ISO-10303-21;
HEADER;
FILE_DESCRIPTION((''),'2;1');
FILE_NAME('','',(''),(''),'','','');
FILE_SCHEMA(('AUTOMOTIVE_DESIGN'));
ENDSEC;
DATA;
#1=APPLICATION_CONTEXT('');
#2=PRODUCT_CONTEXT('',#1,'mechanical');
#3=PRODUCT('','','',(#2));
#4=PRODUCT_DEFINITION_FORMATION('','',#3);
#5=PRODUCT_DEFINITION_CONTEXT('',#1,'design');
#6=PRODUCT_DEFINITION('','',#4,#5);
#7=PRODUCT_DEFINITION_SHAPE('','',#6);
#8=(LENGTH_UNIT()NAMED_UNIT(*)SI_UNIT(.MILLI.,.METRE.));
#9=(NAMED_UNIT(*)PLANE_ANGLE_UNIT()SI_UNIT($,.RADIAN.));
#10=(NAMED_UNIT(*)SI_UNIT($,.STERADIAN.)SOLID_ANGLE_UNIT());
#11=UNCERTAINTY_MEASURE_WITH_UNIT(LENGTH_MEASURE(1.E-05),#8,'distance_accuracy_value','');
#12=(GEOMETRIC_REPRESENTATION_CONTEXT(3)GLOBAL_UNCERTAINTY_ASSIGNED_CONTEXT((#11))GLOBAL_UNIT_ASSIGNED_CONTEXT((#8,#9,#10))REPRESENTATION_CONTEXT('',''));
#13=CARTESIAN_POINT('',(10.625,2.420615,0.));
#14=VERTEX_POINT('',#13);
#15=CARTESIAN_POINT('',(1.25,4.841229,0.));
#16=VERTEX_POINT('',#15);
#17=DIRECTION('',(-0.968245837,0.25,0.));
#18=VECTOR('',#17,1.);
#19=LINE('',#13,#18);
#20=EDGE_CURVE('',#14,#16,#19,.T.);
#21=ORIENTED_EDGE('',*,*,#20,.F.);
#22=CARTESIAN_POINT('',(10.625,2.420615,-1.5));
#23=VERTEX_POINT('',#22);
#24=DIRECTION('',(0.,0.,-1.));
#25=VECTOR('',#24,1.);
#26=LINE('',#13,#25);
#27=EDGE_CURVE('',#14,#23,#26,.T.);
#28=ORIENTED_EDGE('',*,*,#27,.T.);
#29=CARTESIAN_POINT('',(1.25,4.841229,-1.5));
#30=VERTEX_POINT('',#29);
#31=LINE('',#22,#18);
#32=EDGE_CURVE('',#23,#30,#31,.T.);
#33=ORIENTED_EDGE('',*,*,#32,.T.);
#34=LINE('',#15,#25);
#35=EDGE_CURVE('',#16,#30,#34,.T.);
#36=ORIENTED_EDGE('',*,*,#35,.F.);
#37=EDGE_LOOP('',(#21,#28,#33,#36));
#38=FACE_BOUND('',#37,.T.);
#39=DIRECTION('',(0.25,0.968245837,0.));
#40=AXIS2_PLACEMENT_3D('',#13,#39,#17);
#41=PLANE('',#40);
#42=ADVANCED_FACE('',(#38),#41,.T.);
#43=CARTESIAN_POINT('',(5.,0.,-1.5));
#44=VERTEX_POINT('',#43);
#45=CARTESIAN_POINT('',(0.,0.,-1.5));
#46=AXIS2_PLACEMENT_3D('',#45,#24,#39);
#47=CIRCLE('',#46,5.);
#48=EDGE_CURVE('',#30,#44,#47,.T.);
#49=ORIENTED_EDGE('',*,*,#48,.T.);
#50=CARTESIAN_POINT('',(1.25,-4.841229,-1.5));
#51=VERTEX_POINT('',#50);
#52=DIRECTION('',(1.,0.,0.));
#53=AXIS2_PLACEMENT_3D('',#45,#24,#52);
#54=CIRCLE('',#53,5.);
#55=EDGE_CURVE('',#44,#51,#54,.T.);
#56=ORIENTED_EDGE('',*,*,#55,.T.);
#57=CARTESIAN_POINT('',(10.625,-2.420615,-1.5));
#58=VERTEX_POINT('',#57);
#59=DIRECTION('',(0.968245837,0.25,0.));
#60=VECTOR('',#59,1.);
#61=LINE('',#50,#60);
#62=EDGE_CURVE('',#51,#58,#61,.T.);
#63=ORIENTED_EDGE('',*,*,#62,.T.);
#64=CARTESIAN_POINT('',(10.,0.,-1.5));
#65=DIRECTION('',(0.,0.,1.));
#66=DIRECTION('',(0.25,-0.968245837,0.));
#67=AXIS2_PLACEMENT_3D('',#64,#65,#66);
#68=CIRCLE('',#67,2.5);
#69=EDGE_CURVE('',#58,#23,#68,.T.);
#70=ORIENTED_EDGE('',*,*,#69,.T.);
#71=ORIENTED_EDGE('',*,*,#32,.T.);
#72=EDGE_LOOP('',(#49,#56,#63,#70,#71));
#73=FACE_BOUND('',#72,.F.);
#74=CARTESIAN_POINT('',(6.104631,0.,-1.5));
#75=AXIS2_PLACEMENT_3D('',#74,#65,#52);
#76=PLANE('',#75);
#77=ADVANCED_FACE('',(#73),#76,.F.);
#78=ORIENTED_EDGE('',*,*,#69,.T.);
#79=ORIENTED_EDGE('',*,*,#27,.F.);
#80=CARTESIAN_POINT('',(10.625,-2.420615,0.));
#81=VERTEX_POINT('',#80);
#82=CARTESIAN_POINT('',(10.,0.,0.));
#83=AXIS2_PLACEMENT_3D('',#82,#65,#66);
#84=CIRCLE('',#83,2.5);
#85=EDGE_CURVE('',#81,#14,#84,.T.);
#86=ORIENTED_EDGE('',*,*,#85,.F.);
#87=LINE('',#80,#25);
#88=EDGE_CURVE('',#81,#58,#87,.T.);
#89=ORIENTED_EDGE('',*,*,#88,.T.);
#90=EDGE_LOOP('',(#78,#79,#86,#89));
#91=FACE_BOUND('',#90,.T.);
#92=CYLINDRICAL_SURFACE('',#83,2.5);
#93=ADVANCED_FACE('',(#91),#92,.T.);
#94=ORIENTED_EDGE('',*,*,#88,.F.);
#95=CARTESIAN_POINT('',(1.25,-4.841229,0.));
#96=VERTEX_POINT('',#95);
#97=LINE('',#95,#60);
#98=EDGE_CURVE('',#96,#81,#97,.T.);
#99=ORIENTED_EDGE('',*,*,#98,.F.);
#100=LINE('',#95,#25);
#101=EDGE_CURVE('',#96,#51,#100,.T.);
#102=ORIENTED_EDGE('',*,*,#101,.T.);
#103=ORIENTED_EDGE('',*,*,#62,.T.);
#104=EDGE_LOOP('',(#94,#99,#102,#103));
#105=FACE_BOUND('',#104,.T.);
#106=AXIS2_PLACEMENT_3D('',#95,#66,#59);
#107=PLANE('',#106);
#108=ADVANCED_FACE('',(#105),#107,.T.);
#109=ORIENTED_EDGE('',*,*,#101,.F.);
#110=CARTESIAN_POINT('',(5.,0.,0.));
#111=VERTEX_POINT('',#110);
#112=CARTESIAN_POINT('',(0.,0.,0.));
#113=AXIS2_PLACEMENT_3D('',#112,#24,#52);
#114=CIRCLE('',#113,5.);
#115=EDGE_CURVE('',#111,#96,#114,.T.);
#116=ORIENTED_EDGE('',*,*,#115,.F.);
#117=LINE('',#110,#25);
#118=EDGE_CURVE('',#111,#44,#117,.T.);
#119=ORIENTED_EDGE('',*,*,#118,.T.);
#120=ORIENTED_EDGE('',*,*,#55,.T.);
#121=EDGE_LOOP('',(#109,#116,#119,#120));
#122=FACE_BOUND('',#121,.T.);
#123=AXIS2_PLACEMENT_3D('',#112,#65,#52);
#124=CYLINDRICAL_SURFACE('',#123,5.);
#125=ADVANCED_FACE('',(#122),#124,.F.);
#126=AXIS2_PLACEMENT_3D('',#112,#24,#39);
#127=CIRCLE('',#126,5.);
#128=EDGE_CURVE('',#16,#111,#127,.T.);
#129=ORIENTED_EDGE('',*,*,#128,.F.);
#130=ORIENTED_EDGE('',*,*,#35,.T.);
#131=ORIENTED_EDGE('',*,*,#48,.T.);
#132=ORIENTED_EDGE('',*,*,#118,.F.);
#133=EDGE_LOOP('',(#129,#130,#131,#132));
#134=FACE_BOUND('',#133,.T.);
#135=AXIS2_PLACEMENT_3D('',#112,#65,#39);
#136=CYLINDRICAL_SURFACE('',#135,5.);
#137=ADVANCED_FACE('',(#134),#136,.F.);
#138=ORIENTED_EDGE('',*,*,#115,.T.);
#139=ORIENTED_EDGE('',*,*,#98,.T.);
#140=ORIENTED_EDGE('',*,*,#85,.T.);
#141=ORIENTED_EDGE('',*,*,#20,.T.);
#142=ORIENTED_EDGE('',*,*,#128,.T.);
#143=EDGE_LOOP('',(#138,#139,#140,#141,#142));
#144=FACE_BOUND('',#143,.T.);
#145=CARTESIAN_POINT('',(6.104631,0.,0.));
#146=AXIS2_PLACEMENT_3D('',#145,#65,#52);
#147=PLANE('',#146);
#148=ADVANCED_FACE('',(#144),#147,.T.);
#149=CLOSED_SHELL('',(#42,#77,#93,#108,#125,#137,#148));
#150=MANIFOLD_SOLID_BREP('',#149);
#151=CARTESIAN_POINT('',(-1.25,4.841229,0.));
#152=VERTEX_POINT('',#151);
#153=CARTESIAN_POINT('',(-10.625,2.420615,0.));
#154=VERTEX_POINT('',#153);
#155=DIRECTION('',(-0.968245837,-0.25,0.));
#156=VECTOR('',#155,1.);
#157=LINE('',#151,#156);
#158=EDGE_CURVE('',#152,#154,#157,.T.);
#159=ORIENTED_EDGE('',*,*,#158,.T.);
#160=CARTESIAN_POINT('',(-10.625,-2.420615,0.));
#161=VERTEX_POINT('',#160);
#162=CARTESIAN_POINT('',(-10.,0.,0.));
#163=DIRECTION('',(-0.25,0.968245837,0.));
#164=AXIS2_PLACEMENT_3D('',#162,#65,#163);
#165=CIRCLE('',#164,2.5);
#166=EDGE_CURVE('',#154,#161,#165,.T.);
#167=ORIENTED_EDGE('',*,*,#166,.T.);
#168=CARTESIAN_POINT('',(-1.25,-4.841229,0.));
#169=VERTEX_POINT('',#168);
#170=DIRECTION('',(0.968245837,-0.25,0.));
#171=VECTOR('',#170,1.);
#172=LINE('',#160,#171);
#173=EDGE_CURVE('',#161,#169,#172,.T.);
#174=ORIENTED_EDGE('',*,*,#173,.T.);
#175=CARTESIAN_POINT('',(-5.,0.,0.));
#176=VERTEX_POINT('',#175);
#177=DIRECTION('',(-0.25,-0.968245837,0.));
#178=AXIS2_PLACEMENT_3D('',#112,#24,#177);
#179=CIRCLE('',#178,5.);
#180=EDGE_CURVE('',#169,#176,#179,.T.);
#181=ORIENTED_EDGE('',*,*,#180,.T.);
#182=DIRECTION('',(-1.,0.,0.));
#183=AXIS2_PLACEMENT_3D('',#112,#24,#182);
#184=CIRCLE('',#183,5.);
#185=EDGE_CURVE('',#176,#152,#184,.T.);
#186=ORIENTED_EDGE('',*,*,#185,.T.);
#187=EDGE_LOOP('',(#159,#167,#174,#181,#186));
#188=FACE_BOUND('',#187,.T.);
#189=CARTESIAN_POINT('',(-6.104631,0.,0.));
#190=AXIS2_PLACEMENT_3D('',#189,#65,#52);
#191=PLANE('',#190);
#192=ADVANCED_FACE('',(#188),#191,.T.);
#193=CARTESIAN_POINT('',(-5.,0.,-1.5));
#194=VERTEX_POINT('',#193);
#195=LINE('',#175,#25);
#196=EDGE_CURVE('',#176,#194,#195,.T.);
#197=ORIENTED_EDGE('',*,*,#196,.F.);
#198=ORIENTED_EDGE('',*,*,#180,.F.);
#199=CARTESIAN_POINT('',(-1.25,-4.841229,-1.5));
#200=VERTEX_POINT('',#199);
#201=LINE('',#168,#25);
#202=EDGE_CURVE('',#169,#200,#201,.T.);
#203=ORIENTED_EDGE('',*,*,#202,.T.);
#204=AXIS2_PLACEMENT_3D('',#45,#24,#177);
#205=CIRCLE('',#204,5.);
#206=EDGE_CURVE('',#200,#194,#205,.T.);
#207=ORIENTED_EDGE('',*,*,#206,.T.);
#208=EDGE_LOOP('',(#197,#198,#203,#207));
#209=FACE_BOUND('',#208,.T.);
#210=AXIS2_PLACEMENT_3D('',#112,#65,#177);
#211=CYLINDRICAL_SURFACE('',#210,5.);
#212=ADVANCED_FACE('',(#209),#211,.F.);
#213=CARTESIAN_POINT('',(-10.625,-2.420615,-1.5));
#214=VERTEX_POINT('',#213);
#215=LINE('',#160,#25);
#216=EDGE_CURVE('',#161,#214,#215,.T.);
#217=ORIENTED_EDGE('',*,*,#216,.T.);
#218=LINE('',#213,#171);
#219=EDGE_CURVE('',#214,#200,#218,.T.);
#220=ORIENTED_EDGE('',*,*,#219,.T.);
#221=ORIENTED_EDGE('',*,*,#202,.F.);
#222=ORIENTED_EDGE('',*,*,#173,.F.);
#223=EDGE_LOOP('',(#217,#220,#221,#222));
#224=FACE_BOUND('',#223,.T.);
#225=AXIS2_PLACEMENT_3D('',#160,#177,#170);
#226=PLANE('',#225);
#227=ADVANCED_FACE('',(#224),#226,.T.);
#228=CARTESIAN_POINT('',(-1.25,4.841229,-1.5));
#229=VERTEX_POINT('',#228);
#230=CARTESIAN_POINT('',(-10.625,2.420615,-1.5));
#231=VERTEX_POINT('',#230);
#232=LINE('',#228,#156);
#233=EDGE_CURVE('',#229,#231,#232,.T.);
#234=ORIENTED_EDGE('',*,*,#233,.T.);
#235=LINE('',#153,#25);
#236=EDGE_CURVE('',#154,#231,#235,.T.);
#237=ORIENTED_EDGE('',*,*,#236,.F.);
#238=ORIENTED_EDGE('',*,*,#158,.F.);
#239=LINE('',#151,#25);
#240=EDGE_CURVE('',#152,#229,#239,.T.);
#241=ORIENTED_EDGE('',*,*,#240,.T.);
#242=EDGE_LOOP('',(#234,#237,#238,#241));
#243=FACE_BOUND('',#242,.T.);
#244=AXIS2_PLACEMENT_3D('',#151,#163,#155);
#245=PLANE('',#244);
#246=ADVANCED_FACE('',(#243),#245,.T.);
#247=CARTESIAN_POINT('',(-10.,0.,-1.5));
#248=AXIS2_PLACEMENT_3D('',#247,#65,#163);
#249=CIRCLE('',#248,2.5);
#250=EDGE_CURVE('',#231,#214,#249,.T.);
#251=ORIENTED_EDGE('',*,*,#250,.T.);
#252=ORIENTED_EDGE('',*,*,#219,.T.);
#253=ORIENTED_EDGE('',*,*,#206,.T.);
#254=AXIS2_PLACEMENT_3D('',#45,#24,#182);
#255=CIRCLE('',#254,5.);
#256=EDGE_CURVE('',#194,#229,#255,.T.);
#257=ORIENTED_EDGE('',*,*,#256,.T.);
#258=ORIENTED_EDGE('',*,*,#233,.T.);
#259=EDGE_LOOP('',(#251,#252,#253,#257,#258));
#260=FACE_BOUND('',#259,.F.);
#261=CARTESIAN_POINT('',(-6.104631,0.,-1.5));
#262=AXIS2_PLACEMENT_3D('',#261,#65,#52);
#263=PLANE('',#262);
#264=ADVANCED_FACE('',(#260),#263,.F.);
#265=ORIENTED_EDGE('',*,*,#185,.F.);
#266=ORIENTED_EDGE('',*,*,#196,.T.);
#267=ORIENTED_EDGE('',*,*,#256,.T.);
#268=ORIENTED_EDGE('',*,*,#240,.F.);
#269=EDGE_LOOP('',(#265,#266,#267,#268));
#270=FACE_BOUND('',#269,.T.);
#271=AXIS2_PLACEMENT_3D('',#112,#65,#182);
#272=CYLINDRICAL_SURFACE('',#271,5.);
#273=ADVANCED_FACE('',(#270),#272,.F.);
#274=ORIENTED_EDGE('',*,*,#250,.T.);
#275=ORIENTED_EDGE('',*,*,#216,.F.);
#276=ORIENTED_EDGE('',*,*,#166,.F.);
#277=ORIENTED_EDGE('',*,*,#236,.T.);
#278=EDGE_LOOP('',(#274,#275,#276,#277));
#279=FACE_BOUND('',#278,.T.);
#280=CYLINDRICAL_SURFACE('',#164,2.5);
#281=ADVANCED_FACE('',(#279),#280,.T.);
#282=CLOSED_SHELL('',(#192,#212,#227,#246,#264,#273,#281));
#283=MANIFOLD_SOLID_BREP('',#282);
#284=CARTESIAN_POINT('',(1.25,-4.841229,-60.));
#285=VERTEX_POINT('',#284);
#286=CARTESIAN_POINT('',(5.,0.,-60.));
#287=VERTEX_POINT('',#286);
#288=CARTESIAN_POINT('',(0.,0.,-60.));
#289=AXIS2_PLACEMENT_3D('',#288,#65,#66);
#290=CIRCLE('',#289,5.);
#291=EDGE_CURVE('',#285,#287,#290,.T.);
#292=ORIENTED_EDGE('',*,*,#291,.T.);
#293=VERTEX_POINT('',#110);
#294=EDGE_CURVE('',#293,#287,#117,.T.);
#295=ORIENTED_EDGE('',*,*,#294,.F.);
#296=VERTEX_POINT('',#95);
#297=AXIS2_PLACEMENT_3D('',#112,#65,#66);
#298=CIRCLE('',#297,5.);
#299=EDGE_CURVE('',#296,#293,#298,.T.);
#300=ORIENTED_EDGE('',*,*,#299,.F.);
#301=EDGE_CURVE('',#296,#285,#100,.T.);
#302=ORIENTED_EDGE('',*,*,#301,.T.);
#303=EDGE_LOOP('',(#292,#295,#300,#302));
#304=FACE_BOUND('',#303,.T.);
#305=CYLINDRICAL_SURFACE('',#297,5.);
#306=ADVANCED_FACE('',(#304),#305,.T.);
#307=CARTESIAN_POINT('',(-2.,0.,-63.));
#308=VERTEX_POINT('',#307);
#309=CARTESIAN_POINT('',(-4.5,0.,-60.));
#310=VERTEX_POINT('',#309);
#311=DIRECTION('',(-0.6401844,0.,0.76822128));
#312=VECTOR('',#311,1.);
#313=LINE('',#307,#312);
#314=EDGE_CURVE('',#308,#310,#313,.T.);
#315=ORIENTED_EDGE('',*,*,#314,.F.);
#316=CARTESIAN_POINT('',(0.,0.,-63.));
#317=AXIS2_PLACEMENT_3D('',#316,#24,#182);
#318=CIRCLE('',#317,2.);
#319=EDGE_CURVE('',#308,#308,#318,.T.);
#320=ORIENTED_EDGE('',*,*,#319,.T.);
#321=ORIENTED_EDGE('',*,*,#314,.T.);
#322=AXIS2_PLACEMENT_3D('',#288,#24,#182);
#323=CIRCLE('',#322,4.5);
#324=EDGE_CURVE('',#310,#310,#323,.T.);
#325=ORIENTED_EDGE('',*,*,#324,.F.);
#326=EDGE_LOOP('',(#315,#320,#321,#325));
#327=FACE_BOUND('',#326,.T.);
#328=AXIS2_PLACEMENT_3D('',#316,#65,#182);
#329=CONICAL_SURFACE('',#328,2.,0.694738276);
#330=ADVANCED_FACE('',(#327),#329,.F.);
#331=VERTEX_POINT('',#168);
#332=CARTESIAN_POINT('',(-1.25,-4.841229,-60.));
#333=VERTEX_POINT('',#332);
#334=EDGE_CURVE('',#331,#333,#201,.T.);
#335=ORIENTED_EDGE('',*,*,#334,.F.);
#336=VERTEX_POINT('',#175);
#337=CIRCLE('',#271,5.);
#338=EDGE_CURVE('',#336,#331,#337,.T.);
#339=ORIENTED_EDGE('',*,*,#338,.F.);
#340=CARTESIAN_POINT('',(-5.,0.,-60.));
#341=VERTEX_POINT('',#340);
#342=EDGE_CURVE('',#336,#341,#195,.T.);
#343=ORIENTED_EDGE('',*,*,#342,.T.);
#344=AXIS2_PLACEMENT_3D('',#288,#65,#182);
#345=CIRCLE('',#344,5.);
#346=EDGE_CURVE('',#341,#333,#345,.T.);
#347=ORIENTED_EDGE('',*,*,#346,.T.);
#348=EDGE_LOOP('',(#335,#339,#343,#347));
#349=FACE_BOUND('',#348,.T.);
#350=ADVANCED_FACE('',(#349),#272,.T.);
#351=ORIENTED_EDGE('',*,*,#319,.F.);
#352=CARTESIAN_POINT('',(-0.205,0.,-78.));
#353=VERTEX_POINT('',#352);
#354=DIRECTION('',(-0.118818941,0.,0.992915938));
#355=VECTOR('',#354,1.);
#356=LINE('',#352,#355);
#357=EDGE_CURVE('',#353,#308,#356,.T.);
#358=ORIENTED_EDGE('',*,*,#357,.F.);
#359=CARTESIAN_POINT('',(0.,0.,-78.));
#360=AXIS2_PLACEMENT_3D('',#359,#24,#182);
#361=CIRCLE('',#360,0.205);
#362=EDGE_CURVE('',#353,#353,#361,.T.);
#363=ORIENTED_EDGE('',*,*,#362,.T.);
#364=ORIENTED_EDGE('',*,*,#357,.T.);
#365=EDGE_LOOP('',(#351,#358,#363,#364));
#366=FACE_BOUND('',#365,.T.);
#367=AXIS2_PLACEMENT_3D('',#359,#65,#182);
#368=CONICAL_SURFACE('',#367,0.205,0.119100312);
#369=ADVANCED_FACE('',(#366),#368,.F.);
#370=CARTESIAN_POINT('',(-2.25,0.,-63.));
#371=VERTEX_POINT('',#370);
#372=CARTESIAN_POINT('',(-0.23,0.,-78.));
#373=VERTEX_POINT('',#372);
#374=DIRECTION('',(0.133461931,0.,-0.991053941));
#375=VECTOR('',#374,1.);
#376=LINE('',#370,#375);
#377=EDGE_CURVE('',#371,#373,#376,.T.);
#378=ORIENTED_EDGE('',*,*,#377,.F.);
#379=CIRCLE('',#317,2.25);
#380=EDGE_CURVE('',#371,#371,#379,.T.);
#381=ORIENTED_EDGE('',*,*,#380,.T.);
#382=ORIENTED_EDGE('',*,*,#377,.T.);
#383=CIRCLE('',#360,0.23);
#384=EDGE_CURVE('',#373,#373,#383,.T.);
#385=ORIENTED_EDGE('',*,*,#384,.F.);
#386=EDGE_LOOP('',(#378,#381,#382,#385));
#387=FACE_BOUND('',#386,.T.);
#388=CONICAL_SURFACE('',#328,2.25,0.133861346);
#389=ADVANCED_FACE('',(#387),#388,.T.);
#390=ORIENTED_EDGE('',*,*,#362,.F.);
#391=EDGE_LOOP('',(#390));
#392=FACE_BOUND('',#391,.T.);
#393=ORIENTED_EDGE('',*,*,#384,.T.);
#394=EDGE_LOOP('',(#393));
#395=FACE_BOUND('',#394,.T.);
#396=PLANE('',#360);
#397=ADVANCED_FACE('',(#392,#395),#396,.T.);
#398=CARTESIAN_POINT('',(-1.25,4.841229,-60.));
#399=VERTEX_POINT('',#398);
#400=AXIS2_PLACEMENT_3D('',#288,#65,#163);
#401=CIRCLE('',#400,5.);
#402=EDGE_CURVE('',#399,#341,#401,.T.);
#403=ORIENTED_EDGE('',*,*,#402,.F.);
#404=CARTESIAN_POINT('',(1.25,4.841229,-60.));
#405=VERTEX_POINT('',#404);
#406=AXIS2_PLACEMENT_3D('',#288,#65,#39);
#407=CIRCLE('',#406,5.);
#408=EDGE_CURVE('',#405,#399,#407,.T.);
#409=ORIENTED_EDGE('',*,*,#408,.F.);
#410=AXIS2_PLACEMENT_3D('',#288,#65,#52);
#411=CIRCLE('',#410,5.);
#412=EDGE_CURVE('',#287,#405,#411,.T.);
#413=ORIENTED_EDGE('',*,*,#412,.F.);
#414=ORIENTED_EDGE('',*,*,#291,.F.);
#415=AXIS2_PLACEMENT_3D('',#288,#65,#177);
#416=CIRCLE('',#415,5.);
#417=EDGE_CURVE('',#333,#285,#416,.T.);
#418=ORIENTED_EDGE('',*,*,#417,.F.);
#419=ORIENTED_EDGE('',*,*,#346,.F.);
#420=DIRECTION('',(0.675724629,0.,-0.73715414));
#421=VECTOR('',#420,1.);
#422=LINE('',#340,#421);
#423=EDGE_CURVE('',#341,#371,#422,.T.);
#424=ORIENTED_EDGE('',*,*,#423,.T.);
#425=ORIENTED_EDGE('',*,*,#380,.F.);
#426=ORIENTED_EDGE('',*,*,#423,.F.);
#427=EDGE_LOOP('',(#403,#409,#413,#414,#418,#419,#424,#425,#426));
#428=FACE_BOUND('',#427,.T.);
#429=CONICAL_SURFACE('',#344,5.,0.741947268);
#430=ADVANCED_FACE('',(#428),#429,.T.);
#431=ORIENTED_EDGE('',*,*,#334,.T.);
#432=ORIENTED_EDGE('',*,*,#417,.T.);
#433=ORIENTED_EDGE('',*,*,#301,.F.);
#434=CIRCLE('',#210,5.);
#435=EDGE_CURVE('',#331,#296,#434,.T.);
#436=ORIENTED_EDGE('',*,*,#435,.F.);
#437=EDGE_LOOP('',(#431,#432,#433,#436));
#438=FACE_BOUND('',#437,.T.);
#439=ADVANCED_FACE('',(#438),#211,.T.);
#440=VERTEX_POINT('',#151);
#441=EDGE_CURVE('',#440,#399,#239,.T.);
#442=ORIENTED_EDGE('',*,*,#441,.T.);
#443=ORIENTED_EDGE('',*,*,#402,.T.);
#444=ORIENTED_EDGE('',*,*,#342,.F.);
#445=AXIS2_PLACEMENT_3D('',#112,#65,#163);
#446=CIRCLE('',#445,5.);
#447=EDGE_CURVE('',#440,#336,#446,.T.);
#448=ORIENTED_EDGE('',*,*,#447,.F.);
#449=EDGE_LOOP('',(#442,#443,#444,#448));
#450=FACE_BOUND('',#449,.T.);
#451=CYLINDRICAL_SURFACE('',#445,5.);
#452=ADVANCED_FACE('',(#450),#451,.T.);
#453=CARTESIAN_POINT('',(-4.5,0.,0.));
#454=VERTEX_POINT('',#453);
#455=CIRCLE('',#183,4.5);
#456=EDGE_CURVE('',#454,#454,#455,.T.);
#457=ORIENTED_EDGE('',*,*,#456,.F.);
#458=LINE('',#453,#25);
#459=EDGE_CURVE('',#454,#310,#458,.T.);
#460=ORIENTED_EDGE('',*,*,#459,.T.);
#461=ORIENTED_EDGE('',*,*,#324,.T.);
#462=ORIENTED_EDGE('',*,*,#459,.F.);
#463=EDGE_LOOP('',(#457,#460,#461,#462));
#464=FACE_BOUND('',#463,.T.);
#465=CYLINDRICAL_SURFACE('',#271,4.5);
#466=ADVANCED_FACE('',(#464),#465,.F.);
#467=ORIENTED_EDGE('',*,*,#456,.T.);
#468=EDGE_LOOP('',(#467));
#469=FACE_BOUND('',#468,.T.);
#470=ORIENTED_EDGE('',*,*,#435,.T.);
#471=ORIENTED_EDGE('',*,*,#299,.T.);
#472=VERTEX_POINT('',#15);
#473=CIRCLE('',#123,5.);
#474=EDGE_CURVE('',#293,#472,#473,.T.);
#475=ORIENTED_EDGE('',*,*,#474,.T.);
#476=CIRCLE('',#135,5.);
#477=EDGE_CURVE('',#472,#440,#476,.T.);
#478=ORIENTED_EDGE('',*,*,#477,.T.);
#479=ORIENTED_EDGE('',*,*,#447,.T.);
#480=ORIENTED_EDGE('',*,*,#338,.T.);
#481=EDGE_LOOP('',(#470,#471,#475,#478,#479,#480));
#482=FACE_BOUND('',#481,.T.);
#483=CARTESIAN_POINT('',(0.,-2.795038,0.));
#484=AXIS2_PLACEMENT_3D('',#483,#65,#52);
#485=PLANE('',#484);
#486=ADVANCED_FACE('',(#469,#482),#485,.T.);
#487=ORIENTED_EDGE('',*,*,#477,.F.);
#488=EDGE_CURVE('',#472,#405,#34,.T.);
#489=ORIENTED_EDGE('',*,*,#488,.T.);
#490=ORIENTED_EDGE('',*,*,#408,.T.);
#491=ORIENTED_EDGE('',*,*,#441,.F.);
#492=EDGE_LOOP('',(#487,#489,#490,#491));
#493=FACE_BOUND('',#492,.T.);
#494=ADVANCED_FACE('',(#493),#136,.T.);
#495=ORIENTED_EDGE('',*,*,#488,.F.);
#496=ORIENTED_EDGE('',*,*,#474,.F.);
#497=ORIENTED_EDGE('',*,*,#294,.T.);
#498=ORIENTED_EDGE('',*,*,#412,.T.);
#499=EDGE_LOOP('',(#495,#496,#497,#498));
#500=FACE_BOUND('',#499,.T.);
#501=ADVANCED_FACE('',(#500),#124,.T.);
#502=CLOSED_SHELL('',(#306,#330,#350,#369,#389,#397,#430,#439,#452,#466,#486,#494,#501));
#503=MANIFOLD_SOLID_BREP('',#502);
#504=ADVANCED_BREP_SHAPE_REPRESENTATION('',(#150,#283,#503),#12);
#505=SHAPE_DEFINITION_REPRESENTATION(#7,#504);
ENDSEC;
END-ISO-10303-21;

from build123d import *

# Parameters (mm, degrees)
F1_DEPTH = 1.5
F3_DEPTH = 60


with BuildPart() as f1:
    # F0 (on Top) → F1 (new body)
    with BuildSketch(Plane.XY):
        with BuildLine():
            ThreePointArc((-5, 0), (-3.9528470752, 3.0618621785), (-1.25, 4.8412291828))
            Line((-1.25, 4.8412291828), (-10.625, 2.4206145914))
            ThreePointArc((-10.625, 2.4206145914), (-12.5, 0), (-10.625, -2.4206145914))
            Line((-10.625, -2.4206145914), (-1.25, -4.8412291828))
            ThreePointArc((-1.25, -4.8412291828), (-3.9528470752, -3.0618621785), (-5, 0))
        make_face()
    extrude(amount=-F1_DEPTH)


with BuildPart() as f1b:
    # F0 (on Top) → F1, piece 2 (new body)
    with BuildSketch(Plane.XY):
        with BuildLine():
            ThreePointArc((1.25, 4.8412291828), (3.9528470752, 3.0618621785), (5, 0))
            ThreePointArc((5, 0), (3.9528470752, -3.0618621785), (1.25, -4.8412291828))
            Line((1.25, -4.8412291828), (10.625, -2.4206145914))
            ThreePointArc((10.625, -2.4206145914), (12.5, 0), (10.625, 2.4206145914))
            Line((10.625, 2.4206145914), (1.25, 4.8412291828))
        make_face()
    extrude(amount=-F1_DEPTH)


with BuildPart() as f3:
    # F0 (on Top) → F3 (new body)
    with BuildSketch(Plane.XY):
        with BuildLine():
            ThreePointArc((1.25, -4.8412291828), (3.9528470752, -3.0618621785), (5, 0))
            Line((5, 0), (4.5, 0))
            ThreePointArc((4.5, 0), (0, -4.5), (-4.5, 0))
            Line((-4.5, 0), (-5, 0))
            ThreePointArc((-5, 0), (-3.9528470752, -3.0618621785), (-1.25, -4.8412291828))
            ThreePointArc((-1.25, -4.8412291828), (0, -5), (1.25, -4.8412291828))
        make_face()
        with BuildLine():
            Line((4.5, 0), (5, 0))
            ThreePointArc((5, 0), (3.9528470752, 3.0618621785), (1.25, 4.8412291828))
            ThreePointArc((1.25, 4.8412291828), (0, 5), (-1.25, 4.8412291828))
            ThreePointArc((-1.25, 4.8412291828), (-3.9528470752, 3.0618621785), (-5, 0))
            Line((-5, 0), (-4.5, 0))
            ThreePointArc((-4.5, 0), (0, 4.5), (4.5, 0))
        make_face()
    extrude(amount=-F3_DEPTH)

    # F10 (on Front) → F11 (revolve)
    with BuildSketch(Plane.XZ):
        Polygon((-4.5, -60), (-5, -60), (-2.25, -63), (-2, -63), align=None)
    revolve(axis=Axis((0, 0, -69), (0, 0, -1)))

    # F10 (on Front) → F12 (revolve)
    with BuildSketch(Plane.XZ):
        Polygon((-2, -63), (-2.25, -63), (-0.23, -78), (-0.205, -78), align=None)
    revolve(axis=Axis((0, 0, -69), (0, 0, -1)))


solid = Compound([f1.part, f1b.part, f3.part])
